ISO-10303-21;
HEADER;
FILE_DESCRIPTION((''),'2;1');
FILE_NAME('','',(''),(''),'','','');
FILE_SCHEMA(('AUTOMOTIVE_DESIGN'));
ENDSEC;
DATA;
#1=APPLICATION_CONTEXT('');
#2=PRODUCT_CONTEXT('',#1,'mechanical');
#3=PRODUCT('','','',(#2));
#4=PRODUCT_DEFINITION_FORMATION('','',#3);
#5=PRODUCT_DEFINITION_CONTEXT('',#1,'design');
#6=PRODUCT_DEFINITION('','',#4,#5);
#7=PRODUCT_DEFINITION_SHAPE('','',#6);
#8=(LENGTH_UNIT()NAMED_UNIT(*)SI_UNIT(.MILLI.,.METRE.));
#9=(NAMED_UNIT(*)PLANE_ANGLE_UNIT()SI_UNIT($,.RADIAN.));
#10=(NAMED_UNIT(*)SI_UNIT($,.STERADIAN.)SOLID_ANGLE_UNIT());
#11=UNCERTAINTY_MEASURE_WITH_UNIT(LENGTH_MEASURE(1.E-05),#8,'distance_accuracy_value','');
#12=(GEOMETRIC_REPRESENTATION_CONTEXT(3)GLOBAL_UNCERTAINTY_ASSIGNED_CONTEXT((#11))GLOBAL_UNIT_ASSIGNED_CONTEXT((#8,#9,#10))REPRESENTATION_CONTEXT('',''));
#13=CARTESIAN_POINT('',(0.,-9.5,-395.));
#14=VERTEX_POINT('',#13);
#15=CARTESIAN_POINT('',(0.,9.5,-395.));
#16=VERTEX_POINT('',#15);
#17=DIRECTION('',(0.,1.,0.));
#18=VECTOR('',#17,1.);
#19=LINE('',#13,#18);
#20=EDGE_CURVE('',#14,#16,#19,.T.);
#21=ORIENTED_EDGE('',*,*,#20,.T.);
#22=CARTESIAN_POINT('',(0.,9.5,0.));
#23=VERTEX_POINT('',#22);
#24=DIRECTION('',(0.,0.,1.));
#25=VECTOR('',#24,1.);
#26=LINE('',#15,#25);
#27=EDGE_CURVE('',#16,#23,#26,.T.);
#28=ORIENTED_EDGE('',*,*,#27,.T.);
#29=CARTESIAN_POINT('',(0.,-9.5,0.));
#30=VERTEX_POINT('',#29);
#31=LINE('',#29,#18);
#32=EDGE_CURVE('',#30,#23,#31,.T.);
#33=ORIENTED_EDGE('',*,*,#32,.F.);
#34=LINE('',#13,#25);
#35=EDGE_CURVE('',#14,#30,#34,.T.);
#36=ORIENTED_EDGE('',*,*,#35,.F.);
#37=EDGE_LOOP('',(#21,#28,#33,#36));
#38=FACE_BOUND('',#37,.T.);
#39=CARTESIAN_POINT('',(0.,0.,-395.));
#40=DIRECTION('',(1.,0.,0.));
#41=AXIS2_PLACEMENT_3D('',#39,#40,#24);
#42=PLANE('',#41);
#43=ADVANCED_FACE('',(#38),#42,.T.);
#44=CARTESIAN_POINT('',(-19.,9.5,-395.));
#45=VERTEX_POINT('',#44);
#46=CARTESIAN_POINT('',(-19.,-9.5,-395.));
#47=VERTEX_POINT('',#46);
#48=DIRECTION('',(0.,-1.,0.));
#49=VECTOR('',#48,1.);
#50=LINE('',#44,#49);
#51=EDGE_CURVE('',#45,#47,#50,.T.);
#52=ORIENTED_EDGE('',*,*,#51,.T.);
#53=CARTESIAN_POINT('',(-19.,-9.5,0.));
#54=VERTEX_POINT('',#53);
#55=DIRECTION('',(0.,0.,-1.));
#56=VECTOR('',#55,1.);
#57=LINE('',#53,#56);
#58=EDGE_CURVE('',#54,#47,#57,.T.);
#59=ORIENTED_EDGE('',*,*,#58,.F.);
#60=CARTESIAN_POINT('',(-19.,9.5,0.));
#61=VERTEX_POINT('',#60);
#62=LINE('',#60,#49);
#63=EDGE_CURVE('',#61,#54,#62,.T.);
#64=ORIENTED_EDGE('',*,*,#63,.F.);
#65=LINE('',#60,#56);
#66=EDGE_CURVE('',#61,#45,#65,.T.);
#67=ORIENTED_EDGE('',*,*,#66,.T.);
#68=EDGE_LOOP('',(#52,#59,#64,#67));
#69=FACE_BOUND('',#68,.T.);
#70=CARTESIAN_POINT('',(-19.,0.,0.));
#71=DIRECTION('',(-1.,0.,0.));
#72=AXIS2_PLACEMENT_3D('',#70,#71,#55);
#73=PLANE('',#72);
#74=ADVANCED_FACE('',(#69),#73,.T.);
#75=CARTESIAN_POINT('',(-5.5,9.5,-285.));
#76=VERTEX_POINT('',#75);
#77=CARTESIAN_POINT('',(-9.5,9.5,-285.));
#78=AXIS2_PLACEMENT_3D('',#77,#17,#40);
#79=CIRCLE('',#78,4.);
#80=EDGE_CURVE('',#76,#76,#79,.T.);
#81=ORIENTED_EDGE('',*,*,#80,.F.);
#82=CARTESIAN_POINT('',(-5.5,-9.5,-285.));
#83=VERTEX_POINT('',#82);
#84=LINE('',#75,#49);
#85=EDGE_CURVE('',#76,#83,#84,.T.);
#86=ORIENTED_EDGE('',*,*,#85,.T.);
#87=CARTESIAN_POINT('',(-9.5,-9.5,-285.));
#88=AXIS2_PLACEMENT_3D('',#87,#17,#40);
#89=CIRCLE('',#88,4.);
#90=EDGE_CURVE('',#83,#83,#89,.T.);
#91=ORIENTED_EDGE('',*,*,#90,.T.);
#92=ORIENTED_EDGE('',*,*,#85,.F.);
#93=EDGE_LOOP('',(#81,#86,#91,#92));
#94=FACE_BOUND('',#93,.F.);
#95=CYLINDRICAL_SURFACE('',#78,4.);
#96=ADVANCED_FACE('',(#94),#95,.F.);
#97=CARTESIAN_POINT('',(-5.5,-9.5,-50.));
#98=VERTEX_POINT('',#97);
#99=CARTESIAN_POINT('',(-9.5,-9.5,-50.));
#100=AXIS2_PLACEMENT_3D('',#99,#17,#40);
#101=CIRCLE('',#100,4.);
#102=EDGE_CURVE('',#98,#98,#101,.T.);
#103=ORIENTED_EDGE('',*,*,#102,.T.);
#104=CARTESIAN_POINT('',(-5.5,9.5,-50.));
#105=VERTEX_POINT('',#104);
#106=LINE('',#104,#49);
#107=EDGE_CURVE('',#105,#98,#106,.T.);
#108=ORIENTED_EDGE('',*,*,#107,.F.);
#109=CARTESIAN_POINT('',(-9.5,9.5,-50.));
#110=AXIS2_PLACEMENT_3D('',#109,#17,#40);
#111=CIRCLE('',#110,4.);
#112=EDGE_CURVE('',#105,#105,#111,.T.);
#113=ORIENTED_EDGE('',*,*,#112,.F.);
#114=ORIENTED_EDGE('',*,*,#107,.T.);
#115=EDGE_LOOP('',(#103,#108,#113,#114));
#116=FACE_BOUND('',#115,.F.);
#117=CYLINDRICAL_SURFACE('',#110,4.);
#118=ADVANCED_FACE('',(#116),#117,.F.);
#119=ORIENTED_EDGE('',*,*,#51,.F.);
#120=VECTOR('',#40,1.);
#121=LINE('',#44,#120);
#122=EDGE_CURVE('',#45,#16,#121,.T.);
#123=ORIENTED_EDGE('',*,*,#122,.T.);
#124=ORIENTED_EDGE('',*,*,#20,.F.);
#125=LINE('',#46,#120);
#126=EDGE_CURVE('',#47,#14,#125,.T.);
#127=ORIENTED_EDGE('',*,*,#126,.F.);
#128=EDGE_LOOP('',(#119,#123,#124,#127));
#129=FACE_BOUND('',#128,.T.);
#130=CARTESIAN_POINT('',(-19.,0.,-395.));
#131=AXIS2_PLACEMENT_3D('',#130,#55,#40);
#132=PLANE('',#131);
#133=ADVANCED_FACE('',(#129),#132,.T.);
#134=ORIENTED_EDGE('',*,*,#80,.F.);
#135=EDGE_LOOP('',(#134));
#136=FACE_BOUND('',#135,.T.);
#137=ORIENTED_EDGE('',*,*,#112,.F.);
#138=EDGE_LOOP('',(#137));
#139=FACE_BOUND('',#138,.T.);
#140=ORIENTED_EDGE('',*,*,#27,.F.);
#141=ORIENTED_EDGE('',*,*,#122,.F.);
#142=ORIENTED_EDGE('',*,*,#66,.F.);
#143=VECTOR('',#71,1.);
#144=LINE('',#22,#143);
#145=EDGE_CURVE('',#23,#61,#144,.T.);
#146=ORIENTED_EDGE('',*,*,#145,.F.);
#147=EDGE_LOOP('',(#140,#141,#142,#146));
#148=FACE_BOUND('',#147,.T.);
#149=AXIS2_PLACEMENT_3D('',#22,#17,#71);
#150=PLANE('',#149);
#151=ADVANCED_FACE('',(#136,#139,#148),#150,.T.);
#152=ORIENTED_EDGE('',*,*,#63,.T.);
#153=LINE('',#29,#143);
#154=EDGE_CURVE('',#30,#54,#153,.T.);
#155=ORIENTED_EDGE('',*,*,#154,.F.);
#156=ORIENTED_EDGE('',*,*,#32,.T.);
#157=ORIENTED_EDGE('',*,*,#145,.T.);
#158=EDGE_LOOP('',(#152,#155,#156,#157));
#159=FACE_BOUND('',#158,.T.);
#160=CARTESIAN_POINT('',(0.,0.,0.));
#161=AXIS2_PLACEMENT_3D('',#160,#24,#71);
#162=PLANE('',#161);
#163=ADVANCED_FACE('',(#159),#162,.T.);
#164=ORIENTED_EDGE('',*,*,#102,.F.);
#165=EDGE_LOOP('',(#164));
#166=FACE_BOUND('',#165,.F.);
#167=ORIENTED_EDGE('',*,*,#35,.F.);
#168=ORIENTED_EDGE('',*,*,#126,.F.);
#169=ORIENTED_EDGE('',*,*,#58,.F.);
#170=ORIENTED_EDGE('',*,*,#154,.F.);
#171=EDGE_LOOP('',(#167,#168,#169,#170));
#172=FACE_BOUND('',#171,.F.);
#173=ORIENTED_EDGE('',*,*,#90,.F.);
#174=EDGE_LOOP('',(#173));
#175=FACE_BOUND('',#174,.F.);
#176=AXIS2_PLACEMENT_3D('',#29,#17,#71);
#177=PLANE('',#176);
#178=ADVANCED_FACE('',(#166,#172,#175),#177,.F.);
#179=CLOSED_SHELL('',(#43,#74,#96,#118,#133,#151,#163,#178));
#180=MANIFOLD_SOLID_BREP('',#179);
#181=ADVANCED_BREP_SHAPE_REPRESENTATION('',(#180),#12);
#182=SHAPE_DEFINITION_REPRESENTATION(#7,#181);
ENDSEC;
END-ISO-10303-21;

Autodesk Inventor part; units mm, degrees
ref_plane "YZ Plane" through (0, 0, 0) normal (1, 0, 0) x (0, 1, 0)
ref_plane "XZ Plane" through (0, 0, 0) normal (0, 1, 0) x (-1, 0, 0)
ref_plane "XY Plane" through (0, 0, 0) normal (0, 0, 1) x (1, 0, 0)
sketch "Sketch1" plane through (0, 0, 0) normal (0, 1, 0) x (-1, 0, 0)
  line L0 (0, 0) -> (19, 0)
  line L1 (19, 0) -> (19, -395)
  line L2 (19, -395) -> (0, -395)
  line L3 (0, -395) -> (0, 0)
  dimension "d0" = 19
  dimension "d1" = 395
extrude "Extrusion1" add sketch "Sketch1" along normal mid plane 19
sketch "Sketch2" plane through (0, 9.5, 0) normal (0, 1, 0) x (1, 0, 0)
  circle A0 centre (-9.5, 50) radius 4
  circle A1 centre (-9.5, 285) radius 4
  line L0 (-19, 0) -> (0, 0) projected
  line L1 (-19, 395) -> (-19, 0) projected
  line L2 (0, 395) -> (-19, 395) projected
  dimension "d4" = 8
  dimension "d5" = 8
  dimension "d6" = 50
  dimension "d7" = 9.5
  dimension "d8" = 9.5
  dimension "d12" = 235
extrude "Extrusion2" cut sketch "Sketch2" against normal blind 19
properties part number "Base395" material "Steel"
